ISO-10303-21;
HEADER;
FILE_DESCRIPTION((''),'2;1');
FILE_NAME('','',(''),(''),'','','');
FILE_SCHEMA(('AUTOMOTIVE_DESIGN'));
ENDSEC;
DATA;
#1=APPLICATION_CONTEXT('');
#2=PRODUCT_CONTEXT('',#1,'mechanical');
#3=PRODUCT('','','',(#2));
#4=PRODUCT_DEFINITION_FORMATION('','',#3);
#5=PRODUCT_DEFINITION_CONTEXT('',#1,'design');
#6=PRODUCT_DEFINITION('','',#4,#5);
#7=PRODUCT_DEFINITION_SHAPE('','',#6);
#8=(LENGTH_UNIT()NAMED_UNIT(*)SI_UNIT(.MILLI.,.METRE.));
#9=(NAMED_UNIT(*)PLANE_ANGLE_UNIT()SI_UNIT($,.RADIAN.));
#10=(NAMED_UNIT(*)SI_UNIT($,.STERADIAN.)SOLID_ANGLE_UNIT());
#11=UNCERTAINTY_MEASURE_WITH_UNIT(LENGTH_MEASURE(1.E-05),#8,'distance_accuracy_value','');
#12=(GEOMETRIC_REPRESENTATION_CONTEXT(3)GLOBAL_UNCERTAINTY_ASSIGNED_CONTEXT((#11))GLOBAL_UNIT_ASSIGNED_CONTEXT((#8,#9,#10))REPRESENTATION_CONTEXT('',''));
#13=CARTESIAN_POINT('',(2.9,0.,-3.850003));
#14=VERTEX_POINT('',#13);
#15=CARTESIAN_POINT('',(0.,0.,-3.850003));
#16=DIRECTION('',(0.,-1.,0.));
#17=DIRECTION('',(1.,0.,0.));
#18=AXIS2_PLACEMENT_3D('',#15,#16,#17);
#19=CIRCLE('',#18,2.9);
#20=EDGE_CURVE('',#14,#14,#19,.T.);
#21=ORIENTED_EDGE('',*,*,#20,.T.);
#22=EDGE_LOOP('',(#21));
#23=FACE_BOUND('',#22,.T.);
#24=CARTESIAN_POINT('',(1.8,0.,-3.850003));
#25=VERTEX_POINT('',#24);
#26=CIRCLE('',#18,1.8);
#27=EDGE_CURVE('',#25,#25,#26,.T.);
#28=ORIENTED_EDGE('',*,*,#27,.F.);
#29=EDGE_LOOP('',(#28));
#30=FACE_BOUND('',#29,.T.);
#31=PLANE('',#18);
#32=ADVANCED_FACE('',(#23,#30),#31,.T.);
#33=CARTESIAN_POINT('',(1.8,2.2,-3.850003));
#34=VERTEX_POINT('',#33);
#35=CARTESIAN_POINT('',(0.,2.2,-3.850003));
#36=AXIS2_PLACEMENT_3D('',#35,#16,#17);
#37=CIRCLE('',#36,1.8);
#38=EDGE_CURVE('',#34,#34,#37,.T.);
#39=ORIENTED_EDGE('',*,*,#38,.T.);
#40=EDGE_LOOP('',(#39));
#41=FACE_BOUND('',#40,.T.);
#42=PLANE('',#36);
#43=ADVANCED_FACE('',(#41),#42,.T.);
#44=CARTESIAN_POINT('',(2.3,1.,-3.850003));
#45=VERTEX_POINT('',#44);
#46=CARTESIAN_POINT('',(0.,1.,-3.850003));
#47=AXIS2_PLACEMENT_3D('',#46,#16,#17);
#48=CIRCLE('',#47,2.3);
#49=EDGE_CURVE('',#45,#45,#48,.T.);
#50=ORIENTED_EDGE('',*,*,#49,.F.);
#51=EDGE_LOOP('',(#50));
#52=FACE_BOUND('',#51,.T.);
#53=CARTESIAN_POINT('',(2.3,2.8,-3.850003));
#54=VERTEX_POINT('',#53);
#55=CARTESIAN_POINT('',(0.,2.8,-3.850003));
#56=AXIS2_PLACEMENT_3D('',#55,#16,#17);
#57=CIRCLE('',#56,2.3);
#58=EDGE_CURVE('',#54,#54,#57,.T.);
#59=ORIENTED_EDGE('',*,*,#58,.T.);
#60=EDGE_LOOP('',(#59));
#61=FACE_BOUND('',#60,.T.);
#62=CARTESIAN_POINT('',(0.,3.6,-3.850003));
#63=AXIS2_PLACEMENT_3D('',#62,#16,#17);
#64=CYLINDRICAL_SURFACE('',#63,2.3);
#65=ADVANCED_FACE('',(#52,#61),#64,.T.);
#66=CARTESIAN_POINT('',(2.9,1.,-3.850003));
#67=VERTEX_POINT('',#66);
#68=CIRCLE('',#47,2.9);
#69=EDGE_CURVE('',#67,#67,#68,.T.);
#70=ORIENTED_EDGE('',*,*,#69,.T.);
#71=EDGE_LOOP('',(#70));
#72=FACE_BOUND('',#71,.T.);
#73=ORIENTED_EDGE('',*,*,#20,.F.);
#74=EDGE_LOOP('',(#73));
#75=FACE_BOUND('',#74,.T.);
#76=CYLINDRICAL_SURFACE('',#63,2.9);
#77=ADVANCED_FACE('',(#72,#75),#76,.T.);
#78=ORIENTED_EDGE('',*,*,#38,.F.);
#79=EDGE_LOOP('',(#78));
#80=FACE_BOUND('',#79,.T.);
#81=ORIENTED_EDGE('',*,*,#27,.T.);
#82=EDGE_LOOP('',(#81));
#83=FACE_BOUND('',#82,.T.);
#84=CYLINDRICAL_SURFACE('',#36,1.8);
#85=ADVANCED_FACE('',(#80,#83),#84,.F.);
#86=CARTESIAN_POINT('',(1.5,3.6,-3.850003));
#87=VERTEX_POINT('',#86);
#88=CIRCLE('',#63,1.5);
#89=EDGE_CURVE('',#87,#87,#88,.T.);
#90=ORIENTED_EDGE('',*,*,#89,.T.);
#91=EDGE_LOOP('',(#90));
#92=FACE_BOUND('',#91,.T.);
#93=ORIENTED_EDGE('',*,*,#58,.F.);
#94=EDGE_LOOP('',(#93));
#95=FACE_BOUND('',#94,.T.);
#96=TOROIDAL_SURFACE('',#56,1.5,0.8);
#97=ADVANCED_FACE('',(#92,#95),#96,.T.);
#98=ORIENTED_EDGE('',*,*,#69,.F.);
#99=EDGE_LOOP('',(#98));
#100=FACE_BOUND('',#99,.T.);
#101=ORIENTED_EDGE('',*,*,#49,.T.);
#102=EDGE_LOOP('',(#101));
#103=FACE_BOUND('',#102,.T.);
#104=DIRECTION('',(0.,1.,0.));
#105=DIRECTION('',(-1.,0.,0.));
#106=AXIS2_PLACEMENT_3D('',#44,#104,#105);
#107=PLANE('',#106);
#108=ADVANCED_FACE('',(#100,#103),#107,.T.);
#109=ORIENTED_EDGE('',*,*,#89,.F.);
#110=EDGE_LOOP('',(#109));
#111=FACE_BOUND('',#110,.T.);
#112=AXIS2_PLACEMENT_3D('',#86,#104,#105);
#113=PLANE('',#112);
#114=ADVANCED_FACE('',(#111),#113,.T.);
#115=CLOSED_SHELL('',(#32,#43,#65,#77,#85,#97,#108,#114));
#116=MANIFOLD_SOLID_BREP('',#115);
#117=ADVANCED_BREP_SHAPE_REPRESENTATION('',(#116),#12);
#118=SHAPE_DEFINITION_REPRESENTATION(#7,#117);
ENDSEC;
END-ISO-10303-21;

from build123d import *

# Parameters (mm, degrees)
SKETCH_5_R          = 1.8
CUT_EXTRUDE_1_DEPTH = 2.2


with BuildPart() as part:
    # 草图2 → 旋转1 (revolve)
    with BuildSketch(Plane.XY.offset(-3.85000283)):
        with BuildLine():
            Line((1.5, 3.6), (0, 3.6))
            Line((0, 3.6), (0, 0))
            Line((0, 0), (2.9, 0))
            Line((2.9, 0), (2.9, 1))
            Line((2.9, 1), (2.3, 1))
            Line((2.3, 1), (2.3, 2.8))
            ThreePointArc((2.3, 2.8), (2.065685425, 3.365685425), (1.5, 3.6))
        make_face()
    revolve(axis=Axis((0, 3.6, -3.85000283), (0, -1, 0)))

    # 草图5 → 切除-拉伸1 (cut)
    with BuildSketch(Plane.XZ):
        with Locations((0, -3.85000283)):
            Circle(SKETCH_5_R)
    extrude(amount=-CUT_EXTRUDE_1_DEPTH, mode=Mode.SUBTRACT)


solid = part.part
